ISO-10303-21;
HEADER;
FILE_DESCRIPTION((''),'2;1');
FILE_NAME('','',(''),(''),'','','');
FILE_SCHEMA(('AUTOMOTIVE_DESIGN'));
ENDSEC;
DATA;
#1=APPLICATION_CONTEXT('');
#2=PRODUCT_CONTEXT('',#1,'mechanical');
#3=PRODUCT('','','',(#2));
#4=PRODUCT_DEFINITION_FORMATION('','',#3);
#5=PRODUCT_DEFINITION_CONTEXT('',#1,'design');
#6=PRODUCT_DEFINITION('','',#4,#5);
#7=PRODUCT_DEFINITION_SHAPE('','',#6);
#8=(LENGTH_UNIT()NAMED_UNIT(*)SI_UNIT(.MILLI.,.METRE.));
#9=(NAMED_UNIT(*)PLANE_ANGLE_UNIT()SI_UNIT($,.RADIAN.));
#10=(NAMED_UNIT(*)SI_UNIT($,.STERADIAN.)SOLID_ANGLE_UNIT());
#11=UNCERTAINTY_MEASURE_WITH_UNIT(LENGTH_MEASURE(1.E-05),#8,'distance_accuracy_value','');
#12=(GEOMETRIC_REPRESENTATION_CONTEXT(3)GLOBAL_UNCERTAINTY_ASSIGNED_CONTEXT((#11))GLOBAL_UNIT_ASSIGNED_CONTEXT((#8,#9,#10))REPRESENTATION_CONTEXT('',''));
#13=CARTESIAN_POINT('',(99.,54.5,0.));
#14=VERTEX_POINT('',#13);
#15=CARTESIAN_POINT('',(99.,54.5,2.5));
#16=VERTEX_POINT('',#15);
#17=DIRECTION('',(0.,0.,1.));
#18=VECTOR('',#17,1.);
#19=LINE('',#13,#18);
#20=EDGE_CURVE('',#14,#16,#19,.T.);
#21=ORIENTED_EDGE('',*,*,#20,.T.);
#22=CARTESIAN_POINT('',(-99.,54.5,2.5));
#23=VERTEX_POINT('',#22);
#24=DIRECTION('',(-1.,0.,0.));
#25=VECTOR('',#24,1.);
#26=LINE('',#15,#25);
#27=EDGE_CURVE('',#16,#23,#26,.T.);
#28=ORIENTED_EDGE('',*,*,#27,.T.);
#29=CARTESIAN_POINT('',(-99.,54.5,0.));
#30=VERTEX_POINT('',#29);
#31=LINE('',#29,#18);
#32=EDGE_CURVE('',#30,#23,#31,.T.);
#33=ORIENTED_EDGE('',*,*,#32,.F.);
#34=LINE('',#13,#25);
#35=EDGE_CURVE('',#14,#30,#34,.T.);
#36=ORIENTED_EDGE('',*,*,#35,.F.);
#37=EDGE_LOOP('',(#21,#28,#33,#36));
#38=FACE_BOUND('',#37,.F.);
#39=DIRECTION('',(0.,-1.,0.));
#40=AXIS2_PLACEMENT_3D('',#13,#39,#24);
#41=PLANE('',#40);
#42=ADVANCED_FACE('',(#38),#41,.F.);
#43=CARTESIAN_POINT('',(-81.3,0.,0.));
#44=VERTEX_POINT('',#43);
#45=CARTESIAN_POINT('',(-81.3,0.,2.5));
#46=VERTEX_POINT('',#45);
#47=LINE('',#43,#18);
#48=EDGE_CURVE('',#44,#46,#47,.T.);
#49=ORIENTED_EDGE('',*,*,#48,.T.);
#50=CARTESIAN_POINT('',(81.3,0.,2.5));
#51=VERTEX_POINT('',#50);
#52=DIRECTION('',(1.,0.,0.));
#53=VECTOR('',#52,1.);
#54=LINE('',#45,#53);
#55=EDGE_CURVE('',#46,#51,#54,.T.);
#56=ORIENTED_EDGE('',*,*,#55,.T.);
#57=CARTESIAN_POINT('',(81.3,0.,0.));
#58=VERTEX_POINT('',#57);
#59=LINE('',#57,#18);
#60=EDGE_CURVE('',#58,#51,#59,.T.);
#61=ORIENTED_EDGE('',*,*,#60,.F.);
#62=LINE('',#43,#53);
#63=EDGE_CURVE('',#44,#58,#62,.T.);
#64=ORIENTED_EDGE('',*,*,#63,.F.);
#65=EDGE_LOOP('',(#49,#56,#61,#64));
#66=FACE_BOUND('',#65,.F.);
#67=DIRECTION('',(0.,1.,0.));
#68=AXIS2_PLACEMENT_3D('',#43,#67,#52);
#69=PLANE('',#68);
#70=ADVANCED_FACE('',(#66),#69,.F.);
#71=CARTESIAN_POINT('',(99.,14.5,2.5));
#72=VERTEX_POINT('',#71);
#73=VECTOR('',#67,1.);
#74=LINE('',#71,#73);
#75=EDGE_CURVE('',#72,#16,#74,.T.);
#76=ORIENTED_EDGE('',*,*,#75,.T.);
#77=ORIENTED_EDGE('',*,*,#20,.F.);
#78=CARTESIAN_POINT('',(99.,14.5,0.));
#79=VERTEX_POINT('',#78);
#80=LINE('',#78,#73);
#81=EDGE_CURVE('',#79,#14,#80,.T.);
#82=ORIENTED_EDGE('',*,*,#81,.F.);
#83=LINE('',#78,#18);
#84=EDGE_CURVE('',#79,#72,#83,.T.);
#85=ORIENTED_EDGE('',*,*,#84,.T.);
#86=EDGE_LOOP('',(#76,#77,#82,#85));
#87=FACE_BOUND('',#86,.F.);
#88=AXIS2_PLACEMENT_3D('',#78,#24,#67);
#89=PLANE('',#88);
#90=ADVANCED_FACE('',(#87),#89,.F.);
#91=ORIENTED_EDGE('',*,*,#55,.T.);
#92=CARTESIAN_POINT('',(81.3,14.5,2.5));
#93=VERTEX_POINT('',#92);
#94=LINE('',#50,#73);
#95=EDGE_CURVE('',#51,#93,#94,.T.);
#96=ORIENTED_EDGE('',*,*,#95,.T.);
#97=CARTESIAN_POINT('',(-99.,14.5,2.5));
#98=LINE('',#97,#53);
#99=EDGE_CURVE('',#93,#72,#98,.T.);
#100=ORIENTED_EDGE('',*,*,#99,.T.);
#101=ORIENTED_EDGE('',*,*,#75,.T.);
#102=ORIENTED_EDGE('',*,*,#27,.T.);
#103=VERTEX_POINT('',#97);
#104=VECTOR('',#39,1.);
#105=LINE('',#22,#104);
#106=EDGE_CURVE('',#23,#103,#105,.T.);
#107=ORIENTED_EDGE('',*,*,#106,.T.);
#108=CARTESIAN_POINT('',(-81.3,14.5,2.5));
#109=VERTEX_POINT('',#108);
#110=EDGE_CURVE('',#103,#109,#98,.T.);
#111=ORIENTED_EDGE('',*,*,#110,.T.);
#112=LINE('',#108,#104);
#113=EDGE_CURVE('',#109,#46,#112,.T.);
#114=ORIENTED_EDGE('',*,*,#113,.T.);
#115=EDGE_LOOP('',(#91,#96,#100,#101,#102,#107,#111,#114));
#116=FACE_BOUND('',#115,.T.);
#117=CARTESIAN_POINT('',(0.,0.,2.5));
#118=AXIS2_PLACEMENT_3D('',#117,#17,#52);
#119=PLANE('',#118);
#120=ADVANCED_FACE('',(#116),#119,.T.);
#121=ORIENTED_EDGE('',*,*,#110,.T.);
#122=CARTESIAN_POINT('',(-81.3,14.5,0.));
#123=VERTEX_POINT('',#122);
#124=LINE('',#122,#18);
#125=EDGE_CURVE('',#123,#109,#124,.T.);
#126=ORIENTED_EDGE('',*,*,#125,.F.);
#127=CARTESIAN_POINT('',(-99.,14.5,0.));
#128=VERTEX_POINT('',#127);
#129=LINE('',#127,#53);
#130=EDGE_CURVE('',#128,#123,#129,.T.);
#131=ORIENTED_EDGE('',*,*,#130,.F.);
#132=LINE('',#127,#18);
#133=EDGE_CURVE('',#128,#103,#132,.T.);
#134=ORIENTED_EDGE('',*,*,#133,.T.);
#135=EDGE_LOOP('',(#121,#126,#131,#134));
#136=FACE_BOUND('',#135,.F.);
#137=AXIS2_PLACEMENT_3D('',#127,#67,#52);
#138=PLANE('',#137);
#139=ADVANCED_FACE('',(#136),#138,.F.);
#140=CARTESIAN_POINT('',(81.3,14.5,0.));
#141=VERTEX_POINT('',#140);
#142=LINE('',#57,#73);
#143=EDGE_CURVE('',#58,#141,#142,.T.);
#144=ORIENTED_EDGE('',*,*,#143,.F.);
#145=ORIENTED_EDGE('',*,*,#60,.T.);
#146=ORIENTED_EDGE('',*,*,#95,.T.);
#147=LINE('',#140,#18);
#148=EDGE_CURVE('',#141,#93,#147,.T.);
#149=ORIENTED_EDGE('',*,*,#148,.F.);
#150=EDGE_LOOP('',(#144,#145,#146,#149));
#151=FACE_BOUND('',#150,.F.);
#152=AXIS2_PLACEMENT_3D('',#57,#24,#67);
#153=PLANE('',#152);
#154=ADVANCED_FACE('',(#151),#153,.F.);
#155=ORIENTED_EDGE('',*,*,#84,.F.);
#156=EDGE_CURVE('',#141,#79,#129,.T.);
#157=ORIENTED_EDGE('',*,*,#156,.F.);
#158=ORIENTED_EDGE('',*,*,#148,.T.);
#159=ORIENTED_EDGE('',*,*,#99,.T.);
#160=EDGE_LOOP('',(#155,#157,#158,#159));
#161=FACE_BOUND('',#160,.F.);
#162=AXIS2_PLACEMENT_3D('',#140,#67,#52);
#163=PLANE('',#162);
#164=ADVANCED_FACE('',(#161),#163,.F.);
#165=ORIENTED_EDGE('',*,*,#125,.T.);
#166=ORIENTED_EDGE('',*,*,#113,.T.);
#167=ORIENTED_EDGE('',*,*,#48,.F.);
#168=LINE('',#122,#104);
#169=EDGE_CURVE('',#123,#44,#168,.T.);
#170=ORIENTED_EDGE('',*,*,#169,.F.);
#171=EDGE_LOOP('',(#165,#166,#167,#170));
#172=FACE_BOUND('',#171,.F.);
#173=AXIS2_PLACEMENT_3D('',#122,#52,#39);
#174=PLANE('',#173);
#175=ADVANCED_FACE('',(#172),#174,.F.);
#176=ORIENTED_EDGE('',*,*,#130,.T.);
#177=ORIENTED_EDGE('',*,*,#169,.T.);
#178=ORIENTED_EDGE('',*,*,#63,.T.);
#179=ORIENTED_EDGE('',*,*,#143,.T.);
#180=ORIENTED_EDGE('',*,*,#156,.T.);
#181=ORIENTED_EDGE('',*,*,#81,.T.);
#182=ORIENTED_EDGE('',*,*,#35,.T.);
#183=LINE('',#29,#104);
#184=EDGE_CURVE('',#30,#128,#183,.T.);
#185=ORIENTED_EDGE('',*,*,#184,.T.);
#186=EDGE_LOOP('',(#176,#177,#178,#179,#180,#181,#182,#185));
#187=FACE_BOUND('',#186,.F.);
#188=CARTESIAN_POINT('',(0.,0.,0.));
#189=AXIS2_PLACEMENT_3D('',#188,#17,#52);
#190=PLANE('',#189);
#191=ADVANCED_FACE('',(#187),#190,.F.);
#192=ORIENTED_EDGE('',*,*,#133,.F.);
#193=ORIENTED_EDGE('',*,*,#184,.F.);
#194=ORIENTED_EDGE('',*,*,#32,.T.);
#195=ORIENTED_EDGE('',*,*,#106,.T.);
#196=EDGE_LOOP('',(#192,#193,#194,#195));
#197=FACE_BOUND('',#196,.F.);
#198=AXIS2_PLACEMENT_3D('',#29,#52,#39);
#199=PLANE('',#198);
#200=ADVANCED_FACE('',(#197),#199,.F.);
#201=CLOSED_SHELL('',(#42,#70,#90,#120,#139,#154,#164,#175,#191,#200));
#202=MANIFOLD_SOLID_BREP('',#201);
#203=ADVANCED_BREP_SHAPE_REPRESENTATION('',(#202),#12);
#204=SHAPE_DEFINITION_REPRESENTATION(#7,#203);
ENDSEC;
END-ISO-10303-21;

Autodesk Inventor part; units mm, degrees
ref_plane "YZ Plane" through (0, 0, 0) normal (1, 0, 0) x (0, 1, 0)
ref_plane "XZ Plane" through (0, 0, 0) normal (0, 1, 0) x (-1, 0, 0)
ref_plane "XY Plane" through (0, 0, 0) normal (0, 0, 1) x (1, 0, 0)
sketch "スケッチ1" plane through (0, 0, 0) normal (0, 0, 1) x (1, 0, 0)
  line L0 (-81.3, 0) -> (81.3, 0)
  line L1 (81.3, 0) -> (81.3, 14.5)
  line L2 (81.3, 14.5) -> (-81.3, 14.5)
  line L3 (-81.3, 14.5) -> (-81.3, 0)
  line L4 (-99, 14.5) -> (99, 14.5)
  line L5 (99, 14.5) -> (99, 54.5)
  line L6 (99, 54.5) -> (-99, 54.5)
  line L7 (-99, 54.5) -> (-99, 14.5)
  point P0 (0, 0)
  point P1 (0, 0)
  point P2 (0, 14.5)
  point P3 (-81.3, 14.5)
  point P4 (81.3, 14.5)
  dimension "d0" = 162.6
  dimension "d1" = 14.5
  dimension "d2" = 198
  dimension "d3" = 40
extrude "押し出し1" add sketch "スケッチ1" along normal blind 2.5
properties part number "wall" material "木材 (カエデ材)"
